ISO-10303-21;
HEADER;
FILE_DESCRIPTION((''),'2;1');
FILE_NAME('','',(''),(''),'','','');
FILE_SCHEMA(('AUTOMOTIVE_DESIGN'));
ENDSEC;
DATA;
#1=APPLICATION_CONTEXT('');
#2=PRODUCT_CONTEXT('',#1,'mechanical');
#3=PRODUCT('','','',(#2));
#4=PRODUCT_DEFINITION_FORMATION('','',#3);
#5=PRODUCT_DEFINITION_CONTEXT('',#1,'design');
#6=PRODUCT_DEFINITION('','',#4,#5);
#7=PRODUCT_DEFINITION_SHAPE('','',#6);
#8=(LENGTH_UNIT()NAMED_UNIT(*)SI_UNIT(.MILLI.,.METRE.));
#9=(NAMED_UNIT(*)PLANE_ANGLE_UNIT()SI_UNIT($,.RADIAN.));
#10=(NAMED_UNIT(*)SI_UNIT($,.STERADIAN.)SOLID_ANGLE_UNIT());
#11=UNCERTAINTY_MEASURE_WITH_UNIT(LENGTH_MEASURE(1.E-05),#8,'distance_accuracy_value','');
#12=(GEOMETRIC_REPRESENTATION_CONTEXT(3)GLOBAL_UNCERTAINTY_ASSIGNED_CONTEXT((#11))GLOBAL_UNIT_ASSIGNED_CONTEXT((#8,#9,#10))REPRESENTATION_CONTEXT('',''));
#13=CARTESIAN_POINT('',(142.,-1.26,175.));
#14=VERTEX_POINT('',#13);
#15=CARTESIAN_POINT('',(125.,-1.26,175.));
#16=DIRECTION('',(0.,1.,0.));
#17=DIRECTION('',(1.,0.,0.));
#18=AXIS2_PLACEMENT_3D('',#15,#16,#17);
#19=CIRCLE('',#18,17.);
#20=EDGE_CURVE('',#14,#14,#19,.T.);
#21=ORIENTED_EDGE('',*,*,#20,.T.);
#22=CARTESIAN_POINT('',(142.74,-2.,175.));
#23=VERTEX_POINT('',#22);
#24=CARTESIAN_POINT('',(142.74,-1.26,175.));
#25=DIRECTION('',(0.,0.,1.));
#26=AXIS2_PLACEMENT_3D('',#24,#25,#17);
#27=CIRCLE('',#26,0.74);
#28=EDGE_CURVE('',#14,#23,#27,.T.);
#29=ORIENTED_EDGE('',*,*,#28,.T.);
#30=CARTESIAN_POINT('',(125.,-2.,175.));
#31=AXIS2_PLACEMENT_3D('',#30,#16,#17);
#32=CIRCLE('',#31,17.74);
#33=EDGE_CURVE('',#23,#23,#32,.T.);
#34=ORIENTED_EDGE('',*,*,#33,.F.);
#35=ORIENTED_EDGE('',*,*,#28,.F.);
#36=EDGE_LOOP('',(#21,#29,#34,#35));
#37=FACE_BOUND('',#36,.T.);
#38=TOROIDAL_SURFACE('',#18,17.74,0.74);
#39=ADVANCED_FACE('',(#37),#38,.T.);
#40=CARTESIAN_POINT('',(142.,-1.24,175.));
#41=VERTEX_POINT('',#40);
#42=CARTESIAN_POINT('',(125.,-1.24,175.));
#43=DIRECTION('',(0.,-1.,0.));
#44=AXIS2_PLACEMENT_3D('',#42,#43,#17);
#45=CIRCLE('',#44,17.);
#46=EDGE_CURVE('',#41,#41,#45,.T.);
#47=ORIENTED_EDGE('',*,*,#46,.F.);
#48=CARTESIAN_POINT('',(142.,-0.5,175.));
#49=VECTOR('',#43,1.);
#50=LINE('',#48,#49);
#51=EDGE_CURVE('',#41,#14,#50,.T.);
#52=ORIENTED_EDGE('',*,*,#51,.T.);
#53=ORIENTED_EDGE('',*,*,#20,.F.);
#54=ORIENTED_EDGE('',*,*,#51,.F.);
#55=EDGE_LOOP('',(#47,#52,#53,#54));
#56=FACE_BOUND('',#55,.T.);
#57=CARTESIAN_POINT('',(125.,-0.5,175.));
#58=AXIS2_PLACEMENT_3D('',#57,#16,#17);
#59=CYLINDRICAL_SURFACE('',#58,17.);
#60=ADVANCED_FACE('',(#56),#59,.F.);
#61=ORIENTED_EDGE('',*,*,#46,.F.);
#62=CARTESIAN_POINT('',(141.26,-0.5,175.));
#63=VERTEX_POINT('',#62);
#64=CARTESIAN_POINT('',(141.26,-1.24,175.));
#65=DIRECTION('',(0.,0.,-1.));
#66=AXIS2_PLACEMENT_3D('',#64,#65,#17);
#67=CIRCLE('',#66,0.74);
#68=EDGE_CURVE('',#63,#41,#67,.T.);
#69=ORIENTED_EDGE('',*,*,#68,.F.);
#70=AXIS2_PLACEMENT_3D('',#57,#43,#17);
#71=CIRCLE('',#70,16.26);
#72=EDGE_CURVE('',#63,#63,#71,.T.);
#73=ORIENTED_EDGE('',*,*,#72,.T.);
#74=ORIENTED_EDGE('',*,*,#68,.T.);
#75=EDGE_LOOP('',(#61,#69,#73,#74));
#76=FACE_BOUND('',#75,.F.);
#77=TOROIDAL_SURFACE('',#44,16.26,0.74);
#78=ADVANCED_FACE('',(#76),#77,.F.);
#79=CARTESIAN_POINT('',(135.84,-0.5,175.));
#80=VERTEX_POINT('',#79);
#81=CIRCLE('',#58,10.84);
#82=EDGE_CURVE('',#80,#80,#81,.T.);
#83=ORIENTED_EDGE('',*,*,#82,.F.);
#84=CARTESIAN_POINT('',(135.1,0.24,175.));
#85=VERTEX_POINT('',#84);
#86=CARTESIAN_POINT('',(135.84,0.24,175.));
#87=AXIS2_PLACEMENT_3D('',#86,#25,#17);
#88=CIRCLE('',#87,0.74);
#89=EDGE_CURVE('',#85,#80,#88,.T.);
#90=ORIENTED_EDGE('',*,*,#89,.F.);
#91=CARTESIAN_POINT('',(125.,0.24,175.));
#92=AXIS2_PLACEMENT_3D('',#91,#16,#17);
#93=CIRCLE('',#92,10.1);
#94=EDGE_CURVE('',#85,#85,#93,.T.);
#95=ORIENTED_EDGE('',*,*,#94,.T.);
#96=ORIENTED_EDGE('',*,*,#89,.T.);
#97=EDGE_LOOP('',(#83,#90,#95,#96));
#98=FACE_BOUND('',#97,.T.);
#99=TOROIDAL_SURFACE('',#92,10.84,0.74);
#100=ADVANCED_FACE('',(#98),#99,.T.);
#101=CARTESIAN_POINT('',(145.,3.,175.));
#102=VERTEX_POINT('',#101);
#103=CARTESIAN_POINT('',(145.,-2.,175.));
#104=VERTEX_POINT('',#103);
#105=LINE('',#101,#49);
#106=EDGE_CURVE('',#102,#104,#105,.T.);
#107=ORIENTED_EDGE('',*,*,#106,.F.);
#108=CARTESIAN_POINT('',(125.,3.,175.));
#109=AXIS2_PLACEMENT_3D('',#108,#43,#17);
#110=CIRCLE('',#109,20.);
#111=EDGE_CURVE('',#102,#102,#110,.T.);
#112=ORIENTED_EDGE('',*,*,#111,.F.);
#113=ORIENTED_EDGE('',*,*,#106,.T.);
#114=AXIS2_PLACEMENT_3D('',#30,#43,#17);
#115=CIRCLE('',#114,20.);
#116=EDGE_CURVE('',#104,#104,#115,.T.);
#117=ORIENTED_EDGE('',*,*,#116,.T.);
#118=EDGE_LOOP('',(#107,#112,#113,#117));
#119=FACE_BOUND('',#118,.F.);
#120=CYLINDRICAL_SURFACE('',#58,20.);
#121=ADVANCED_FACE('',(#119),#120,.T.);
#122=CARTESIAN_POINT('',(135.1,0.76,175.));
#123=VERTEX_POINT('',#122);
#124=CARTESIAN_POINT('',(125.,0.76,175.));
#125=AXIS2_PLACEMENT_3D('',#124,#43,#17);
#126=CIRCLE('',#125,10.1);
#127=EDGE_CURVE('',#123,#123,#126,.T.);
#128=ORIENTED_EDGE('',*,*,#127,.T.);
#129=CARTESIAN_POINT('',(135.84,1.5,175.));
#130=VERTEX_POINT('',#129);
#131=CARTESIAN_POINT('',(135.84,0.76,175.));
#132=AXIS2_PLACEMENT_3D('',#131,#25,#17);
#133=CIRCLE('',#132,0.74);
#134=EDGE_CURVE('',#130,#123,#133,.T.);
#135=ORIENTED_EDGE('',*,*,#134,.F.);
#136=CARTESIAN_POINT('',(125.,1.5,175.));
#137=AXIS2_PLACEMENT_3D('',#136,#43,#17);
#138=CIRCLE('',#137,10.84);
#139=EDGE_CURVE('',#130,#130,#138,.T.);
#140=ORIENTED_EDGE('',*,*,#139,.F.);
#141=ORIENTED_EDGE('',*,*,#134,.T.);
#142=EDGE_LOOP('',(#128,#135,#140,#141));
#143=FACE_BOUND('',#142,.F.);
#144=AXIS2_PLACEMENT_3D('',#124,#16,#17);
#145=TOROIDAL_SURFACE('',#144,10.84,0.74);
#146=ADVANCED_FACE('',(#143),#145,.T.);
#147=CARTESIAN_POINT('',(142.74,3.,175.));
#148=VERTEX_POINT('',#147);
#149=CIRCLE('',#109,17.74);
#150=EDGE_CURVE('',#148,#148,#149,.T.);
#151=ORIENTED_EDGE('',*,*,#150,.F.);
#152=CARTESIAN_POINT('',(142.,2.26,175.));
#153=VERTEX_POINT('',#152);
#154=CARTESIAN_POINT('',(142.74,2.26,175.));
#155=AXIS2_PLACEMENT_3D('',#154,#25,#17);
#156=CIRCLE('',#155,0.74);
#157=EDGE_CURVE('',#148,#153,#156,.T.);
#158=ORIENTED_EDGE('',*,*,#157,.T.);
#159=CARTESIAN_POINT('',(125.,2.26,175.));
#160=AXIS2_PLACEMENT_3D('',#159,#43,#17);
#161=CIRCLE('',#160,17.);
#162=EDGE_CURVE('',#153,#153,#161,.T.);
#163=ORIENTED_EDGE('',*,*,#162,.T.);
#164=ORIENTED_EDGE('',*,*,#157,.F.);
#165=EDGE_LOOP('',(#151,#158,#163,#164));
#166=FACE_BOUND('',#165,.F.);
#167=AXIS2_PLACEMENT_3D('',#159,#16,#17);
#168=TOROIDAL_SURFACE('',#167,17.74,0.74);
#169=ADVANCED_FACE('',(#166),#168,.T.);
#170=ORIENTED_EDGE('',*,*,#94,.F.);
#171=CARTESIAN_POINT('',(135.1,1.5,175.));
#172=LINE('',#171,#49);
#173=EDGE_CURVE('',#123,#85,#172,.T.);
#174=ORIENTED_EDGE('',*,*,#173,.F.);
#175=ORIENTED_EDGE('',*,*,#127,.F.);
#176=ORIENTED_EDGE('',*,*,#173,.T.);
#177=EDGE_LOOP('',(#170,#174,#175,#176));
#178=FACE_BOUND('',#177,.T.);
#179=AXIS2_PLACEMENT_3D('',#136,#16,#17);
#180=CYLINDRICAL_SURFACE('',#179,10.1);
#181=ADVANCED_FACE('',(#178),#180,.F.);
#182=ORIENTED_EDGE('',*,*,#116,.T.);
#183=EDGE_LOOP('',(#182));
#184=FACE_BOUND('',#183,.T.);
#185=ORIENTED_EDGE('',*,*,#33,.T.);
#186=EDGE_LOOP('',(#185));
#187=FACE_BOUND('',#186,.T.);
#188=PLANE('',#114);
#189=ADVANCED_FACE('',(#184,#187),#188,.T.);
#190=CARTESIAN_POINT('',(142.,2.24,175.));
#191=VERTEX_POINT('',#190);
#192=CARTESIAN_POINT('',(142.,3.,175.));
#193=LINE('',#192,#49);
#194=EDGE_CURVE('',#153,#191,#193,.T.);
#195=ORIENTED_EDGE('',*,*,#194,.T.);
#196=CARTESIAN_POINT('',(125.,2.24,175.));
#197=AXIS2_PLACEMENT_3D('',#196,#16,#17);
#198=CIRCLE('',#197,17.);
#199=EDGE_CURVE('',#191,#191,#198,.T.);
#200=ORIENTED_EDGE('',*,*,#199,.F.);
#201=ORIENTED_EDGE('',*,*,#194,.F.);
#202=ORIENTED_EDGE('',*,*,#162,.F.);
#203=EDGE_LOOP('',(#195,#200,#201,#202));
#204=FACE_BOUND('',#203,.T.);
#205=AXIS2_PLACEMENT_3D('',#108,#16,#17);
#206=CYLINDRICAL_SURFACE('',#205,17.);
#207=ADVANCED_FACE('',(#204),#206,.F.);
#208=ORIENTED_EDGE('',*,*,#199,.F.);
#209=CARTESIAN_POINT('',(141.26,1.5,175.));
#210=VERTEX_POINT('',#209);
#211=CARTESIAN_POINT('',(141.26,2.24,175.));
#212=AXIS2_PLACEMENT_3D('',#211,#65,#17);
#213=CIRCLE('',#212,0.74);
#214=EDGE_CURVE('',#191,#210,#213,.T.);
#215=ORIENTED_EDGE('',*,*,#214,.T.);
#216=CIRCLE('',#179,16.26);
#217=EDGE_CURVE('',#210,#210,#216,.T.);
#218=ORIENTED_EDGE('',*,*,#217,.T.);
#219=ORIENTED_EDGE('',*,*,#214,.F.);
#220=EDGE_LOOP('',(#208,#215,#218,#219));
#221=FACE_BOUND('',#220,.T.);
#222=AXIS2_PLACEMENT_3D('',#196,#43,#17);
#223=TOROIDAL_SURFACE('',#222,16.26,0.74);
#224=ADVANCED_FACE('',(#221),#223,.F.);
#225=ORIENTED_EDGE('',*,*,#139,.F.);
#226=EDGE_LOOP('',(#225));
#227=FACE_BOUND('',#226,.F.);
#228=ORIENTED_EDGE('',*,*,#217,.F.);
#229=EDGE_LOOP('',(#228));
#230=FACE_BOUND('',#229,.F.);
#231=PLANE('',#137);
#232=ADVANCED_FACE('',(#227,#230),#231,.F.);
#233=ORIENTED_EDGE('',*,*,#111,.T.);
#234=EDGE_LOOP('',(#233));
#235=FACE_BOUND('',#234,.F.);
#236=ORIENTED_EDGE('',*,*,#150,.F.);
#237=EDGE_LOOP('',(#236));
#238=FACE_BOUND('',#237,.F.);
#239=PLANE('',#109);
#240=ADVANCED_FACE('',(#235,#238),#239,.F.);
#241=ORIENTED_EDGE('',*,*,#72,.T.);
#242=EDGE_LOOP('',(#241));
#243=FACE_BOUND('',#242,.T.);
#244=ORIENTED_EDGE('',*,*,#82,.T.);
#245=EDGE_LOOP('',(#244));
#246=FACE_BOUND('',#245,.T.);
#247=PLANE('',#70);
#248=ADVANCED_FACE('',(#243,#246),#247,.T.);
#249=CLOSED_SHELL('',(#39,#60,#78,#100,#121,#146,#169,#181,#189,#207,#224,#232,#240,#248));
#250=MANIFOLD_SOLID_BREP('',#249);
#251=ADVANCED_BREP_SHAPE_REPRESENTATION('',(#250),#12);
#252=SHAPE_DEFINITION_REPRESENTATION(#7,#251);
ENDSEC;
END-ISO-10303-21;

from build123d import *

# Parameters (mm, degrees)
CYLINDER646_R          = 17
CYLINDER646_DEPTH      = 3
CYLINDER645_R          = 20
CYLINDER645_DEPTH      = 1.5
CUT286_PLACEMENT_ANGLE = 90
CYLINDER648_R          = 17
CYLINDER648_DEPTH      = 3
CYLINDER647_R          = 20
CYLINDER647_DEPTH      = 1.5
CUT287_PLACEMENT_ANGLE = 90
CYLINDER436_R          = 10.1
CYLINDER436_DEPTH      = 3
CYLINDER435_R          = 20
CYLINDER435_DEPTH      = 2
CUT219_PLACEMENT_ANGLE = 90
FILLET103_R            = 0.74


with BuildPart() as cylinder646:
    # Cylinder646 → Cylinder646 (new body)
    with BuildSketch(Plane.XY):
        Circle(CYLINDER646_R)
    extrude(amount=CYLINDER646_DEPTH)


with BuildPart() as guiding_aid001:
    # Cylinder645 → Cylinder645 (new body)
    with BuildSketch(Plane.XY):
        Circle(CYLINDER645_R)
    extrude(amount=CYLINDER645_DEPTH)

    # Cut286: cut Cylinder646
    add(cylinder646.part, mode=Mode.SUBTRACT)


with BuildPart() as guiding_aid001_1:
    # Cut286 placement: moved
    add(guiding_aid001.part.moved(Location((125, 3, 175))).rotate(Axis((125, 3, 175), (1, 0, 0)), CUT286_PLACEMENT_ANGLE))


with BuildPart() as cylinder648:
    # Cylinder648 → Cylinder648 (new body)
    with BuildSketch(Plane.XY):
        Circle(CYLINDER648_R)
    extrude(amount=CYLINDER648_DEPTH)


with BuildPart() as guiding_aid002:
    # Cylinder647 → Cylinder647 (new body)
    with BuildSketch(Plane.XY):
        Circle(CYLINDER647_R)
    extrude(amount=CYLINDER647_DEPTH)

    # Cut287: cut Cylinder648
    add(cylinder648.part, mode=Mode.SUBTRACT)


with BuildPart() as guiding_aid002_1:
    # Cut287 placement: moved
    add(guiding_aid002.part.moved(Location((125, -0.5, 175))).rotate(Axis((125, -0.5, 175), (1, 0, 0)), CUT287_PLACEMENT_ANGLE))


with BuildPart() as cylinder436:
    # Cylinder436 → Cylinder436 (new body)
    with BuildSketch(Plane.XY):
        Circle(CYLINDER436_R)
    extrude(amount=CYLINDER436_DEPTH)


with BuildPart() as guiding_aid:
    # Cylinder435 → Cylinder435 (new body)
    with BuildSketch(Plane.XY):
        Circle(CYLINDER435_R)
    extrude(amount=CYLINDER435_DEPTH)

    # Cut219: cut Cylinder436
    add(cylinder436.part, mode=Mode.SUBTRACT)


with BuildPart() as guiding_aid_1:
    # Cut219 placement: moved
    add(guiding_aid.part.moved(Location((125, 1.5, 175))).rotate(Axis((125, 1.5, 175), (1, 0, 0)), CUT219_PLACEMENT_ANGLE))

    # Fusion315: union guiding aid001, guiding aid002
    add(guiding_aid001_1.part)
    add(guiding_aid002_1.part)

    # Fillet103
    fillet103_edges = [guiding_aid_1.edges().sort_by_distance(p)[0] for p in [
        (108, 3, 175),
        (108, -2, 175),
        (108, 1.5, 175),
        (108, -0.5, 175),
        (114.9, 1.5, 175),
        (114.9, -0.5, 175),
    ]]
    fillet(fillet103_edges, radius=FILLET103_R)


solid = guiding_aid_1.part
